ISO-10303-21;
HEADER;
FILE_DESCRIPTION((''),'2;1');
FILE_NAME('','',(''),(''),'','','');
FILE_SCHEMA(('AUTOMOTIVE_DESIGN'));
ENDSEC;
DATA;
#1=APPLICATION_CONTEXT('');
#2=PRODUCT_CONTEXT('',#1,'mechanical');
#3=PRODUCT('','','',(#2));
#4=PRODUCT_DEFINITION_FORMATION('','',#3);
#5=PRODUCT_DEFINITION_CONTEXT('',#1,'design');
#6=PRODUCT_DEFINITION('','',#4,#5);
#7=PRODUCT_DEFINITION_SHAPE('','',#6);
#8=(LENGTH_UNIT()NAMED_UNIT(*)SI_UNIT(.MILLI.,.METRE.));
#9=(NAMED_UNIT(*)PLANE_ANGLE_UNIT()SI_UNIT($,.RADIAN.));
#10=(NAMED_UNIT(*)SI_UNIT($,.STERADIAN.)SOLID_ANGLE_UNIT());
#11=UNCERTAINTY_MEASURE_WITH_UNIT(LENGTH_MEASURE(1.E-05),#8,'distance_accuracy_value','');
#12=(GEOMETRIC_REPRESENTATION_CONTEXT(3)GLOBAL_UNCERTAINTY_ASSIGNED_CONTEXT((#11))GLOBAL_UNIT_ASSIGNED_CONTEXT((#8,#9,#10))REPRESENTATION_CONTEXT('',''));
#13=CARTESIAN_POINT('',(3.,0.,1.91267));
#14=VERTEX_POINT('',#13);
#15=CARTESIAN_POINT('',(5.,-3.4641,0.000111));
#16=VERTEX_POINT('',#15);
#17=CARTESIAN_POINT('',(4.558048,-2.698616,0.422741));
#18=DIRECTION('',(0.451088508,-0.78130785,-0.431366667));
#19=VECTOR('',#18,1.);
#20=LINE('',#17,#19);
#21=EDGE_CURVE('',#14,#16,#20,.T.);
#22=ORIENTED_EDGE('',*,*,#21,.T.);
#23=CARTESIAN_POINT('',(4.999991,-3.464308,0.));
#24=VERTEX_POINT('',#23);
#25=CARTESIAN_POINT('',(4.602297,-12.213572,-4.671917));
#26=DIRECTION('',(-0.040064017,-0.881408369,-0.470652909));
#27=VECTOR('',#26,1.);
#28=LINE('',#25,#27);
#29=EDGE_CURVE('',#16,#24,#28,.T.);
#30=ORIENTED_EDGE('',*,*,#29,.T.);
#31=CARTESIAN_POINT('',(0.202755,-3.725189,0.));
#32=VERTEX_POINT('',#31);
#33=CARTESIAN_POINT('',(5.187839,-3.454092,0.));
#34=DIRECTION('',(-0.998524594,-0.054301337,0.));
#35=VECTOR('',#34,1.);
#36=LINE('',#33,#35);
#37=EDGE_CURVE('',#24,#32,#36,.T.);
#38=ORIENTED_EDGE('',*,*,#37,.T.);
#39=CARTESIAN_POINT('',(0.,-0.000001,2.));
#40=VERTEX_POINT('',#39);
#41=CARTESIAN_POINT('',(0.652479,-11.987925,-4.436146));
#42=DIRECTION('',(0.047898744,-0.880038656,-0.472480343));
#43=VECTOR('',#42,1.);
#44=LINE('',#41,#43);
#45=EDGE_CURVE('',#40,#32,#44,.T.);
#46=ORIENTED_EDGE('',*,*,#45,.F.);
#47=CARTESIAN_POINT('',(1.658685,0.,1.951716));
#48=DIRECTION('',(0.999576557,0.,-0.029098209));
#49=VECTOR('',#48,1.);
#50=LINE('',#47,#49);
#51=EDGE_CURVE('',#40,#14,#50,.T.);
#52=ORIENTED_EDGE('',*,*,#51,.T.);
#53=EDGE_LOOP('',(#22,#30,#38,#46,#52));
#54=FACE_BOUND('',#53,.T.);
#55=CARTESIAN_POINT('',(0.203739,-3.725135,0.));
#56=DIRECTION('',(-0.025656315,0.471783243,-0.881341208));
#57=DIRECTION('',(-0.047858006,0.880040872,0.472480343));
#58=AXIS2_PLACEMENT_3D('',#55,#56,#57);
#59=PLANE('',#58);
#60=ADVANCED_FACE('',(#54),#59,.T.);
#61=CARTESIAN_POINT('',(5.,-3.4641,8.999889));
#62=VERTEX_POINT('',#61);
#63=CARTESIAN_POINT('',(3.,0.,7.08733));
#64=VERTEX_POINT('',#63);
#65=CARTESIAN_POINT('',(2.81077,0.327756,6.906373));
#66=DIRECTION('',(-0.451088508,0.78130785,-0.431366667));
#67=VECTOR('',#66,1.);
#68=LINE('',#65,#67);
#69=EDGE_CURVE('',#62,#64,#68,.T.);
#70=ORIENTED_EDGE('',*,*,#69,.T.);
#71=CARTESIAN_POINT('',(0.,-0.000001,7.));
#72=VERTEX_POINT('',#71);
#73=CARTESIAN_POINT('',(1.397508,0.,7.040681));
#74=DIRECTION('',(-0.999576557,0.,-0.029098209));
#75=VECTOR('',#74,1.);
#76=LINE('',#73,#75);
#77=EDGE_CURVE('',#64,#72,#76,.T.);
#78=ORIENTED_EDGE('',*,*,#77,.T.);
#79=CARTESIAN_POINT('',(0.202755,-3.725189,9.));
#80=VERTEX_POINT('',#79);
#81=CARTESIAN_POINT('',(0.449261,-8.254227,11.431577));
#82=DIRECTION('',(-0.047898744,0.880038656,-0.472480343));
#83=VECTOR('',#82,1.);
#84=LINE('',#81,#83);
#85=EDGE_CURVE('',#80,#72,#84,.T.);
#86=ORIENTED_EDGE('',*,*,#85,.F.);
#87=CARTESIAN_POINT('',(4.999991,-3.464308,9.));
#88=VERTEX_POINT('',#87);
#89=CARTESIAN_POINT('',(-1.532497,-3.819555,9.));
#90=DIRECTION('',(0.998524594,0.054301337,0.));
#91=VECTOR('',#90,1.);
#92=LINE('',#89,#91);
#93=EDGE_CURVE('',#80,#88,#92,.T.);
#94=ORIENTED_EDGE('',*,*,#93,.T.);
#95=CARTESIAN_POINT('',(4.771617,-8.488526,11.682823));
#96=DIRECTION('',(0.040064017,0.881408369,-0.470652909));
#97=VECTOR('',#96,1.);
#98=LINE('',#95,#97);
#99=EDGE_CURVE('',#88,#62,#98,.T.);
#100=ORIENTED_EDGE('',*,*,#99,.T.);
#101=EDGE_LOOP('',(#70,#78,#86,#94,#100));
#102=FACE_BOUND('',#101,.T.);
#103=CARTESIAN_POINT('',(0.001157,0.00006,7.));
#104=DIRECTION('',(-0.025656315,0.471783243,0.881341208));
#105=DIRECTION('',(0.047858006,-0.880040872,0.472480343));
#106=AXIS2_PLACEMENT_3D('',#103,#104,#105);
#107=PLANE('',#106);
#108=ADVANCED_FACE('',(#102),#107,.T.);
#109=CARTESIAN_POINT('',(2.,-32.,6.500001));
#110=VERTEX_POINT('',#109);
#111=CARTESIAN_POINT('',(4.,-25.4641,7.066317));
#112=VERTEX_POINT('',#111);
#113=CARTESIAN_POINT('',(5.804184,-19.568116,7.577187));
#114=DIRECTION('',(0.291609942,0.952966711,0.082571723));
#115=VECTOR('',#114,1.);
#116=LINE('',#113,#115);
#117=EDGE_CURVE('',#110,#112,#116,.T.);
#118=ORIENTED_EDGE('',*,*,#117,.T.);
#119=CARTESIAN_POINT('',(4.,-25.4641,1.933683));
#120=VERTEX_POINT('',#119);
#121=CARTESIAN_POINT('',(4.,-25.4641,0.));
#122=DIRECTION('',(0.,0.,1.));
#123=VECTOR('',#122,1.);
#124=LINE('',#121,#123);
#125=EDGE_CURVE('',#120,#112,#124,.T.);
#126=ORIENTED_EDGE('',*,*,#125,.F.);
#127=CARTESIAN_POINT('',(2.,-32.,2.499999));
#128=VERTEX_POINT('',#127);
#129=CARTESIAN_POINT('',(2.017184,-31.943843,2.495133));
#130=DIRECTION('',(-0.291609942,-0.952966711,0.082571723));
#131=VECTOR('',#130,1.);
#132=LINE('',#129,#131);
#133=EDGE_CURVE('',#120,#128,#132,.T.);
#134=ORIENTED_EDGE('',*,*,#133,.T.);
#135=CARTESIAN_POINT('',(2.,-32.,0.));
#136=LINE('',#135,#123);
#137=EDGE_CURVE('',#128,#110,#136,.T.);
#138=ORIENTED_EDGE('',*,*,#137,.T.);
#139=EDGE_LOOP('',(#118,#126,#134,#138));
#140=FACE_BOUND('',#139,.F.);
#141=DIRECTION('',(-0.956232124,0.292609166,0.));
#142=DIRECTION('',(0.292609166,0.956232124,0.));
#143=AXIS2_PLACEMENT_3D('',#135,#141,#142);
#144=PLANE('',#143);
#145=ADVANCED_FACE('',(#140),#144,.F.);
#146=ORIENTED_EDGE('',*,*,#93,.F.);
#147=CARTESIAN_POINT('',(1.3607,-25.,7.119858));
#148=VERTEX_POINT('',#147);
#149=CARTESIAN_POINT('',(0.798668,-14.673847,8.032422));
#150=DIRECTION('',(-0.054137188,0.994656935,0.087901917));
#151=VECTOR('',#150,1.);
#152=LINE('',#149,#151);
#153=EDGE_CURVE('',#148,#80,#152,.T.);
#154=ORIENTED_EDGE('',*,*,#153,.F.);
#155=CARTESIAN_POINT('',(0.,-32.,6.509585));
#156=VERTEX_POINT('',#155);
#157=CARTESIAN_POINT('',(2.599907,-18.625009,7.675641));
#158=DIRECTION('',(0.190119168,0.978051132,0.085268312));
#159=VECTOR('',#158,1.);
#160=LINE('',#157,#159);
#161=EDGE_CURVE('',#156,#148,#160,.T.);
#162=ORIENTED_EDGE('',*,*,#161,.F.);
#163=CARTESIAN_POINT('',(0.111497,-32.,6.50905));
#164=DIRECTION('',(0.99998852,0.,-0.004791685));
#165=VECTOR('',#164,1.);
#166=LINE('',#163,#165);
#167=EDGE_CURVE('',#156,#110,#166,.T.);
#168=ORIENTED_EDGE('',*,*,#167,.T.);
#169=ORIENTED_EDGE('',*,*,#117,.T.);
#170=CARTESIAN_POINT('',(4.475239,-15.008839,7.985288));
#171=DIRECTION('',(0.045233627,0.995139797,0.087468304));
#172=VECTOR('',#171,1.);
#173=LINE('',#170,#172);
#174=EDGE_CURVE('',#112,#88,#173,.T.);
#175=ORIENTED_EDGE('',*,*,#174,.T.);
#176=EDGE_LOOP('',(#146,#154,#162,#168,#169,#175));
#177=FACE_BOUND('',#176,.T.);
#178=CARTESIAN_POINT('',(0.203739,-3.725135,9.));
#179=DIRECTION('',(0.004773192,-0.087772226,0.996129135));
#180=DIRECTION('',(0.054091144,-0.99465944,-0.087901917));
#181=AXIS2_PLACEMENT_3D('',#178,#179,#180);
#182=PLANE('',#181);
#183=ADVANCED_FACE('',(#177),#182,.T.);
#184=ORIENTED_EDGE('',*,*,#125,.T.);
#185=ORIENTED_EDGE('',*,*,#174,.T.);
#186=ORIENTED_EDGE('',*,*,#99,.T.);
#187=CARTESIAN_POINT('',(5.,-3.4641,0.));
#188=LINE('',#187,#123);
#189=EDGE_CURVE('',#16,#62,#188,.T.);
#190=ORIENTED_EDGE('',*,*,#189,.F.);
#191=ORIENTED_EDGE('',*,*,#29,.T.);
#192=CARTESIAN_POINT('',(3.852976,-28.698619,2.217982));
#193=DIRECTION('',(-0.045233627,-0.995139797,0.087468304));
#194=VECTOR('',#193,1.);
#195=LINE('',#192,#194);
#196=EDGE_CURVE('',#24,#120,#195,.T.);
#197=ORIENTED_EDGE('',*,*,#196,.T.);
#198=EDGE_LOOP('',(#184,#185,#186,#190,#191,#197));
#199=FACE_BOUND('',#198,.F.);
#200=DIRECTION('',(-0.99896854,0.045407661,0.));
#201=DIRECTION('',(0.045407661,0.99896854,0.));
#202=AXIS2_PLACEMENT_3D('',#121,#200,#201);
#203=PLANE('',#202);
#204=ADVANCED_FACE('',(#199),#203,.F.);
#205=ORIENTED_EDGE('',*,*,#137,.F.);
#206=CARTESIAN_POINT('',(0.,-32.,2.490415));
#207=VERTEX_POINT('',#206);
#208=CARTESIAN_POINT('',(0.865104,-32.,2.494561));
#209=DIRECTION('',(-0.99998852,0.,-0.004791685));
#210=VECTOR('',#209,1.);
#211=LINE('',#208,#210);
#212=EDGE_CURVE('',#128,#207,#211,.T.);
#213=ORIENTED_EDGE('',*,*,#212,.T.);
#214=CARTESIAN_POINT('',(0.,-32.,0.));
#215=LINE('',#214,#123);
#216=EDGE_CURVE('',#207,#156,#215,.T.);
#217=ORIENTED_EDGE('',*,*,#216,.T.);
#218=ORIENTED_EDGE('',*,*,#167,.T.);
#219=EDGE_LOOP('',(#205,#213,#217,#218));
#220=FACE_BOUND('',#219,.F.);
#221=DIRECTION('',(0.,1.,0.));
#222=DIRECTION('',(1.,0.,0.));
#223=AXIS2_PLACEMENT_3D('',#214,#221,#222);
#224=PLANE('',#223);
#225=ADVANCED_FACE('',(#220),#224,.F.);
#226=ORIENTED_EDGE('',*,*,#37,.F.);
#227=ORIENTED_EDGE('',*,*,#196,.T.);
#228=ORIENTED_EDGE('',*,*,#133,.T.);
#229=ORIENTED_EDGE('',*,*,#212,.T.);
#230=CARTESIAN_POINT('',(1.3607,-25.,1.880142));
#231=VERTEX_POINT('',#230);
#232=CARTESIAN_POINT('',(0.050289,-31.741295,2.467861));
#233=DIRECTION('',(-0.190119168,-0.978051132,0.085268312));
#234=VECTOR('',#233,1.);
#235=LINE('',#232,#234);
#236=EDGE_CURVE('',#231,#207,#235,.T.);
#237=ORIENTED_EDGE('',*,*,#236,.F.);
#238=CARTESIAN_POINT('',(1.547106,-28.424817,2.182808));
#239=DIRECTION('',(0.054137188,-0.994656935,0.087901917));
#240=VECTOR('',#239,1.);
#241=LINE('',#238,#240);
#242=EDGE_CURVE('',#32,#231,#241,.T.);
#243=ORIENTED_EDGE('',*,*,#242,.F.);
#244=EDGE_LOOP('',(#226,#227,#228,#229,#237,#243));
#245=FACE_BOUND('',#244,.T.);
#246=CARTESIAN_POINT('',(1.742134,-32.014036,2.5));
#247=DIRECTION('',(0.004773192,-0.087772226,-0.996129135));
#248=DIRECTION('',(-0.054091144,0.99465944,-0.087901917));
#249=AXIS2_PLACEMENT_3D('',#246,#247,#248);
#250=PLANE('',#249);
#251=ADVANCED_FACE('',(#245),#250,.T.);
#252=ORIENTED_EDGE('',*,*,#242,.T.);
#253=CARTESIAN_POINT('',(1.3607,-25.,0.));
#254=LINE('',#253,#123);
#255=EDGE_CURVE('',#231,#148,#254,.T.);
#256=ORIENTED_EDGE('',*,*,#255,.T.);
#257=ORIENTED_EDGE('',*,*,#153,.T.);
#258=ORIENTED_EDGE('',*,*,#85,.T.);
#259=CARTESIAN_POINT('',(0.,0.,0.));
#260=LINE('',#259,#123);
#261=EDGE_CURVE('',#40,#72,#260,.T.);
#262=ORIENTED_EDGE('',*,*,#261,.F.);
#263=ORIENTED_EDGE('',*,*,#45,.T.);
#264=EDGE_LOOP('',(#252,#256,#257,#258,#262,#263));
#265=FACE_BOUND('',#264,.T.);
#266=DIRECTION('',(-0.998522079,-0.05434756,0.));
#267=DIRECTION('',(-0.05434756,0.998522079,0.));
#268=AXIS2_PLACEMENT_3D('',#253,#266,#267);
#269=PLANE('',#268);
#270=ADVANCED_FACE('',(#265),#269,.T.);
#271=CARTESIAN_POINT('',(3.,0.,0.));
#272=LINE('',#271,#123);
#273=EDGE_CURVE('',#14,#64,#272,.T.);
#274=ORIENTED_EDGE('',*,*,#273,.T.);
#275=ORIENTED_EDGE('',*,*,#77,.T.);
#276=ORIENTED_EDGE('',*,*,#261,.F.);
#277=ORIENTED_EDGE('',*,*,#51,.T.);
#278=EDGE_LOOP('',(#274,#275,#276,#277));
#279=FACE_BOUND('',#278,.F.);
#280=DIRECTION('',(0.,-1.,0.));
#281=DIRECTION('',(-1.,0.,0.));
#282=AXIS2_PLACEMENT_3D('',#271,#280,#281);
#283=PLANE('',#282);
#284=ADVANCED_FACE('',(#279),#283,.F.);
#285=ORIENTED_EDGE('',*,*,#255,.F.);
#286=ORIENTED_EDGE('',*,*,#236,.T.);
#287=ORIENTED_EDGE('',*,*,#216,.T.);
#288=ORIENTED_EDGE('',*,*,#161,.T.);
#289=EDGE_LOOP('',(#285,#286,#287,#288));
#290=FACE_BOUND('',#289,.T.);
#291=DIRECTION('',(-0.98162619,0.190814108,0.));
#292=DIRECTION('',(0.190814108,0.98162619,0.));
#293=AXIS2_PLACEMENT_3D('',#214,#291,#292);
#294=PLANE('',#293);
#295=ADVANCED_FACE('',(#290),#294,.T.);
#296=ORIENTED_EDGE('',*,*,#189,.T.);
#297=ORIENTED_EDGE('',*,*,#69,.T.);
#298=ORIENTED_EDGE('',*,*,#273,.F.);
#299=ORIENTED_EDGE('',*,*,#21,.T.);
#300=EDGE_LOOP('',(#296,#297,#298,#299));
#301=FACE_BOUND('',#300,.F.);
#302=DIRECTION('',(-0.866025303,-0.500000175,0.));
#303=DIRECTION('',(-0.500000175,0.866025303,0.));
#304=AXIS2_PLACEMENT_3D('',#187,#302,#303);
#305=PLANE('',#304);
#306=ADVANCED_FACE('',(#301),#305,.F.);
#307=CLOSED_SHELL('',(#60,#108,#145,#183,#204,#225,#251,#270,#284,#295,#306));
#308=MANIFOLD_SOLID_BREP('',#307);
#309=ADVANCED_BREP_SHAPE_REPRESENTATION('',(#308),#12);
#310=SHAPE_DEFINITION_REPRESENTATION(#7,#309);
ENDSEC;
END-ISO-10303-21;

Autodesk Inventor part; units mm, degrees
ref_plane "YZ Plane" through (0, 0, 0) normal (1, 0, 0) x (0, 1, 0)
ref_plane "XZ Plane" through (0, 0, 0) normal (0, 1, 0) x (-1, 0, 0)
ref_plane "XY Plane" through (0, 0, 0) normal (0, 0, 1) x (1, 0, 0)
sketch "Base" plane through (0, 0, 0) normal (0, 0, 1) x (1, 0, 0)
  line L0 (0, 0) -> (0, -32) construction
  line L1 (0, -32) -> (2, -32)
  line L2 (2, -32) -> (4, -25.4641)
  line L3 (5, -3.4641) -> (3, 0)
  line L4 (3, 0) -> (0, 0)
  line L5 (4, -25.4641) -> (5, -3.4641)
  line L6 (0, -32) -> (1.3607, -25)
  line L7 (1.3607, -25) -> (0, 0)
  dimension "d0" = 32
  dimension "d1" = 3
  dimension "d2" = 2
  dimension "d3" = 5
  dimension "d8" = 4
  dimension "d12" = 120
  dimension "d14" = 22
  dimension "d23" = 25
  dimension "d24" = 79
extrude "BaseFeature" add sketch "Base" along normal blind 9
sketch "TopProfile" plane through (1.3607, -25, 0) normal (-0.9985, -0.0543, 0) x (0, 0, 1)
  line L0 (0, 21.3063) -> (9, 21.3063) projected
  line L1 (2, 25.037) -> (7, 25.037)
  line L2 (7, 25.037) -> (9, 21.3063)
  line L3 (9, 21.3063) -> (6.5, -7.0244)
  line L4 (6.5, -7.0244) -> (2.5, -7.0244)
  line L5 (2.5, -7.0244) -> (0, 21.3063)
  line L6 (0, 21.3063) -> (2, 25.037)
  line L7 (0, 25.037) -> (9, 25.037) projected
  line L8 (0, -7.0244) -> (9, -7.0244) projected
  point P0 (4.5, 25.037)
  point P1 (4.5, -7.0244)
  dimension "d27" = 5
  dimension "d28" = 4
extrude "TopProfileFeature" cut sketch "TopProfile" along normal through all both and the other way through all keep common part
properties part number "DistalPhalangeIndexMiddle"
